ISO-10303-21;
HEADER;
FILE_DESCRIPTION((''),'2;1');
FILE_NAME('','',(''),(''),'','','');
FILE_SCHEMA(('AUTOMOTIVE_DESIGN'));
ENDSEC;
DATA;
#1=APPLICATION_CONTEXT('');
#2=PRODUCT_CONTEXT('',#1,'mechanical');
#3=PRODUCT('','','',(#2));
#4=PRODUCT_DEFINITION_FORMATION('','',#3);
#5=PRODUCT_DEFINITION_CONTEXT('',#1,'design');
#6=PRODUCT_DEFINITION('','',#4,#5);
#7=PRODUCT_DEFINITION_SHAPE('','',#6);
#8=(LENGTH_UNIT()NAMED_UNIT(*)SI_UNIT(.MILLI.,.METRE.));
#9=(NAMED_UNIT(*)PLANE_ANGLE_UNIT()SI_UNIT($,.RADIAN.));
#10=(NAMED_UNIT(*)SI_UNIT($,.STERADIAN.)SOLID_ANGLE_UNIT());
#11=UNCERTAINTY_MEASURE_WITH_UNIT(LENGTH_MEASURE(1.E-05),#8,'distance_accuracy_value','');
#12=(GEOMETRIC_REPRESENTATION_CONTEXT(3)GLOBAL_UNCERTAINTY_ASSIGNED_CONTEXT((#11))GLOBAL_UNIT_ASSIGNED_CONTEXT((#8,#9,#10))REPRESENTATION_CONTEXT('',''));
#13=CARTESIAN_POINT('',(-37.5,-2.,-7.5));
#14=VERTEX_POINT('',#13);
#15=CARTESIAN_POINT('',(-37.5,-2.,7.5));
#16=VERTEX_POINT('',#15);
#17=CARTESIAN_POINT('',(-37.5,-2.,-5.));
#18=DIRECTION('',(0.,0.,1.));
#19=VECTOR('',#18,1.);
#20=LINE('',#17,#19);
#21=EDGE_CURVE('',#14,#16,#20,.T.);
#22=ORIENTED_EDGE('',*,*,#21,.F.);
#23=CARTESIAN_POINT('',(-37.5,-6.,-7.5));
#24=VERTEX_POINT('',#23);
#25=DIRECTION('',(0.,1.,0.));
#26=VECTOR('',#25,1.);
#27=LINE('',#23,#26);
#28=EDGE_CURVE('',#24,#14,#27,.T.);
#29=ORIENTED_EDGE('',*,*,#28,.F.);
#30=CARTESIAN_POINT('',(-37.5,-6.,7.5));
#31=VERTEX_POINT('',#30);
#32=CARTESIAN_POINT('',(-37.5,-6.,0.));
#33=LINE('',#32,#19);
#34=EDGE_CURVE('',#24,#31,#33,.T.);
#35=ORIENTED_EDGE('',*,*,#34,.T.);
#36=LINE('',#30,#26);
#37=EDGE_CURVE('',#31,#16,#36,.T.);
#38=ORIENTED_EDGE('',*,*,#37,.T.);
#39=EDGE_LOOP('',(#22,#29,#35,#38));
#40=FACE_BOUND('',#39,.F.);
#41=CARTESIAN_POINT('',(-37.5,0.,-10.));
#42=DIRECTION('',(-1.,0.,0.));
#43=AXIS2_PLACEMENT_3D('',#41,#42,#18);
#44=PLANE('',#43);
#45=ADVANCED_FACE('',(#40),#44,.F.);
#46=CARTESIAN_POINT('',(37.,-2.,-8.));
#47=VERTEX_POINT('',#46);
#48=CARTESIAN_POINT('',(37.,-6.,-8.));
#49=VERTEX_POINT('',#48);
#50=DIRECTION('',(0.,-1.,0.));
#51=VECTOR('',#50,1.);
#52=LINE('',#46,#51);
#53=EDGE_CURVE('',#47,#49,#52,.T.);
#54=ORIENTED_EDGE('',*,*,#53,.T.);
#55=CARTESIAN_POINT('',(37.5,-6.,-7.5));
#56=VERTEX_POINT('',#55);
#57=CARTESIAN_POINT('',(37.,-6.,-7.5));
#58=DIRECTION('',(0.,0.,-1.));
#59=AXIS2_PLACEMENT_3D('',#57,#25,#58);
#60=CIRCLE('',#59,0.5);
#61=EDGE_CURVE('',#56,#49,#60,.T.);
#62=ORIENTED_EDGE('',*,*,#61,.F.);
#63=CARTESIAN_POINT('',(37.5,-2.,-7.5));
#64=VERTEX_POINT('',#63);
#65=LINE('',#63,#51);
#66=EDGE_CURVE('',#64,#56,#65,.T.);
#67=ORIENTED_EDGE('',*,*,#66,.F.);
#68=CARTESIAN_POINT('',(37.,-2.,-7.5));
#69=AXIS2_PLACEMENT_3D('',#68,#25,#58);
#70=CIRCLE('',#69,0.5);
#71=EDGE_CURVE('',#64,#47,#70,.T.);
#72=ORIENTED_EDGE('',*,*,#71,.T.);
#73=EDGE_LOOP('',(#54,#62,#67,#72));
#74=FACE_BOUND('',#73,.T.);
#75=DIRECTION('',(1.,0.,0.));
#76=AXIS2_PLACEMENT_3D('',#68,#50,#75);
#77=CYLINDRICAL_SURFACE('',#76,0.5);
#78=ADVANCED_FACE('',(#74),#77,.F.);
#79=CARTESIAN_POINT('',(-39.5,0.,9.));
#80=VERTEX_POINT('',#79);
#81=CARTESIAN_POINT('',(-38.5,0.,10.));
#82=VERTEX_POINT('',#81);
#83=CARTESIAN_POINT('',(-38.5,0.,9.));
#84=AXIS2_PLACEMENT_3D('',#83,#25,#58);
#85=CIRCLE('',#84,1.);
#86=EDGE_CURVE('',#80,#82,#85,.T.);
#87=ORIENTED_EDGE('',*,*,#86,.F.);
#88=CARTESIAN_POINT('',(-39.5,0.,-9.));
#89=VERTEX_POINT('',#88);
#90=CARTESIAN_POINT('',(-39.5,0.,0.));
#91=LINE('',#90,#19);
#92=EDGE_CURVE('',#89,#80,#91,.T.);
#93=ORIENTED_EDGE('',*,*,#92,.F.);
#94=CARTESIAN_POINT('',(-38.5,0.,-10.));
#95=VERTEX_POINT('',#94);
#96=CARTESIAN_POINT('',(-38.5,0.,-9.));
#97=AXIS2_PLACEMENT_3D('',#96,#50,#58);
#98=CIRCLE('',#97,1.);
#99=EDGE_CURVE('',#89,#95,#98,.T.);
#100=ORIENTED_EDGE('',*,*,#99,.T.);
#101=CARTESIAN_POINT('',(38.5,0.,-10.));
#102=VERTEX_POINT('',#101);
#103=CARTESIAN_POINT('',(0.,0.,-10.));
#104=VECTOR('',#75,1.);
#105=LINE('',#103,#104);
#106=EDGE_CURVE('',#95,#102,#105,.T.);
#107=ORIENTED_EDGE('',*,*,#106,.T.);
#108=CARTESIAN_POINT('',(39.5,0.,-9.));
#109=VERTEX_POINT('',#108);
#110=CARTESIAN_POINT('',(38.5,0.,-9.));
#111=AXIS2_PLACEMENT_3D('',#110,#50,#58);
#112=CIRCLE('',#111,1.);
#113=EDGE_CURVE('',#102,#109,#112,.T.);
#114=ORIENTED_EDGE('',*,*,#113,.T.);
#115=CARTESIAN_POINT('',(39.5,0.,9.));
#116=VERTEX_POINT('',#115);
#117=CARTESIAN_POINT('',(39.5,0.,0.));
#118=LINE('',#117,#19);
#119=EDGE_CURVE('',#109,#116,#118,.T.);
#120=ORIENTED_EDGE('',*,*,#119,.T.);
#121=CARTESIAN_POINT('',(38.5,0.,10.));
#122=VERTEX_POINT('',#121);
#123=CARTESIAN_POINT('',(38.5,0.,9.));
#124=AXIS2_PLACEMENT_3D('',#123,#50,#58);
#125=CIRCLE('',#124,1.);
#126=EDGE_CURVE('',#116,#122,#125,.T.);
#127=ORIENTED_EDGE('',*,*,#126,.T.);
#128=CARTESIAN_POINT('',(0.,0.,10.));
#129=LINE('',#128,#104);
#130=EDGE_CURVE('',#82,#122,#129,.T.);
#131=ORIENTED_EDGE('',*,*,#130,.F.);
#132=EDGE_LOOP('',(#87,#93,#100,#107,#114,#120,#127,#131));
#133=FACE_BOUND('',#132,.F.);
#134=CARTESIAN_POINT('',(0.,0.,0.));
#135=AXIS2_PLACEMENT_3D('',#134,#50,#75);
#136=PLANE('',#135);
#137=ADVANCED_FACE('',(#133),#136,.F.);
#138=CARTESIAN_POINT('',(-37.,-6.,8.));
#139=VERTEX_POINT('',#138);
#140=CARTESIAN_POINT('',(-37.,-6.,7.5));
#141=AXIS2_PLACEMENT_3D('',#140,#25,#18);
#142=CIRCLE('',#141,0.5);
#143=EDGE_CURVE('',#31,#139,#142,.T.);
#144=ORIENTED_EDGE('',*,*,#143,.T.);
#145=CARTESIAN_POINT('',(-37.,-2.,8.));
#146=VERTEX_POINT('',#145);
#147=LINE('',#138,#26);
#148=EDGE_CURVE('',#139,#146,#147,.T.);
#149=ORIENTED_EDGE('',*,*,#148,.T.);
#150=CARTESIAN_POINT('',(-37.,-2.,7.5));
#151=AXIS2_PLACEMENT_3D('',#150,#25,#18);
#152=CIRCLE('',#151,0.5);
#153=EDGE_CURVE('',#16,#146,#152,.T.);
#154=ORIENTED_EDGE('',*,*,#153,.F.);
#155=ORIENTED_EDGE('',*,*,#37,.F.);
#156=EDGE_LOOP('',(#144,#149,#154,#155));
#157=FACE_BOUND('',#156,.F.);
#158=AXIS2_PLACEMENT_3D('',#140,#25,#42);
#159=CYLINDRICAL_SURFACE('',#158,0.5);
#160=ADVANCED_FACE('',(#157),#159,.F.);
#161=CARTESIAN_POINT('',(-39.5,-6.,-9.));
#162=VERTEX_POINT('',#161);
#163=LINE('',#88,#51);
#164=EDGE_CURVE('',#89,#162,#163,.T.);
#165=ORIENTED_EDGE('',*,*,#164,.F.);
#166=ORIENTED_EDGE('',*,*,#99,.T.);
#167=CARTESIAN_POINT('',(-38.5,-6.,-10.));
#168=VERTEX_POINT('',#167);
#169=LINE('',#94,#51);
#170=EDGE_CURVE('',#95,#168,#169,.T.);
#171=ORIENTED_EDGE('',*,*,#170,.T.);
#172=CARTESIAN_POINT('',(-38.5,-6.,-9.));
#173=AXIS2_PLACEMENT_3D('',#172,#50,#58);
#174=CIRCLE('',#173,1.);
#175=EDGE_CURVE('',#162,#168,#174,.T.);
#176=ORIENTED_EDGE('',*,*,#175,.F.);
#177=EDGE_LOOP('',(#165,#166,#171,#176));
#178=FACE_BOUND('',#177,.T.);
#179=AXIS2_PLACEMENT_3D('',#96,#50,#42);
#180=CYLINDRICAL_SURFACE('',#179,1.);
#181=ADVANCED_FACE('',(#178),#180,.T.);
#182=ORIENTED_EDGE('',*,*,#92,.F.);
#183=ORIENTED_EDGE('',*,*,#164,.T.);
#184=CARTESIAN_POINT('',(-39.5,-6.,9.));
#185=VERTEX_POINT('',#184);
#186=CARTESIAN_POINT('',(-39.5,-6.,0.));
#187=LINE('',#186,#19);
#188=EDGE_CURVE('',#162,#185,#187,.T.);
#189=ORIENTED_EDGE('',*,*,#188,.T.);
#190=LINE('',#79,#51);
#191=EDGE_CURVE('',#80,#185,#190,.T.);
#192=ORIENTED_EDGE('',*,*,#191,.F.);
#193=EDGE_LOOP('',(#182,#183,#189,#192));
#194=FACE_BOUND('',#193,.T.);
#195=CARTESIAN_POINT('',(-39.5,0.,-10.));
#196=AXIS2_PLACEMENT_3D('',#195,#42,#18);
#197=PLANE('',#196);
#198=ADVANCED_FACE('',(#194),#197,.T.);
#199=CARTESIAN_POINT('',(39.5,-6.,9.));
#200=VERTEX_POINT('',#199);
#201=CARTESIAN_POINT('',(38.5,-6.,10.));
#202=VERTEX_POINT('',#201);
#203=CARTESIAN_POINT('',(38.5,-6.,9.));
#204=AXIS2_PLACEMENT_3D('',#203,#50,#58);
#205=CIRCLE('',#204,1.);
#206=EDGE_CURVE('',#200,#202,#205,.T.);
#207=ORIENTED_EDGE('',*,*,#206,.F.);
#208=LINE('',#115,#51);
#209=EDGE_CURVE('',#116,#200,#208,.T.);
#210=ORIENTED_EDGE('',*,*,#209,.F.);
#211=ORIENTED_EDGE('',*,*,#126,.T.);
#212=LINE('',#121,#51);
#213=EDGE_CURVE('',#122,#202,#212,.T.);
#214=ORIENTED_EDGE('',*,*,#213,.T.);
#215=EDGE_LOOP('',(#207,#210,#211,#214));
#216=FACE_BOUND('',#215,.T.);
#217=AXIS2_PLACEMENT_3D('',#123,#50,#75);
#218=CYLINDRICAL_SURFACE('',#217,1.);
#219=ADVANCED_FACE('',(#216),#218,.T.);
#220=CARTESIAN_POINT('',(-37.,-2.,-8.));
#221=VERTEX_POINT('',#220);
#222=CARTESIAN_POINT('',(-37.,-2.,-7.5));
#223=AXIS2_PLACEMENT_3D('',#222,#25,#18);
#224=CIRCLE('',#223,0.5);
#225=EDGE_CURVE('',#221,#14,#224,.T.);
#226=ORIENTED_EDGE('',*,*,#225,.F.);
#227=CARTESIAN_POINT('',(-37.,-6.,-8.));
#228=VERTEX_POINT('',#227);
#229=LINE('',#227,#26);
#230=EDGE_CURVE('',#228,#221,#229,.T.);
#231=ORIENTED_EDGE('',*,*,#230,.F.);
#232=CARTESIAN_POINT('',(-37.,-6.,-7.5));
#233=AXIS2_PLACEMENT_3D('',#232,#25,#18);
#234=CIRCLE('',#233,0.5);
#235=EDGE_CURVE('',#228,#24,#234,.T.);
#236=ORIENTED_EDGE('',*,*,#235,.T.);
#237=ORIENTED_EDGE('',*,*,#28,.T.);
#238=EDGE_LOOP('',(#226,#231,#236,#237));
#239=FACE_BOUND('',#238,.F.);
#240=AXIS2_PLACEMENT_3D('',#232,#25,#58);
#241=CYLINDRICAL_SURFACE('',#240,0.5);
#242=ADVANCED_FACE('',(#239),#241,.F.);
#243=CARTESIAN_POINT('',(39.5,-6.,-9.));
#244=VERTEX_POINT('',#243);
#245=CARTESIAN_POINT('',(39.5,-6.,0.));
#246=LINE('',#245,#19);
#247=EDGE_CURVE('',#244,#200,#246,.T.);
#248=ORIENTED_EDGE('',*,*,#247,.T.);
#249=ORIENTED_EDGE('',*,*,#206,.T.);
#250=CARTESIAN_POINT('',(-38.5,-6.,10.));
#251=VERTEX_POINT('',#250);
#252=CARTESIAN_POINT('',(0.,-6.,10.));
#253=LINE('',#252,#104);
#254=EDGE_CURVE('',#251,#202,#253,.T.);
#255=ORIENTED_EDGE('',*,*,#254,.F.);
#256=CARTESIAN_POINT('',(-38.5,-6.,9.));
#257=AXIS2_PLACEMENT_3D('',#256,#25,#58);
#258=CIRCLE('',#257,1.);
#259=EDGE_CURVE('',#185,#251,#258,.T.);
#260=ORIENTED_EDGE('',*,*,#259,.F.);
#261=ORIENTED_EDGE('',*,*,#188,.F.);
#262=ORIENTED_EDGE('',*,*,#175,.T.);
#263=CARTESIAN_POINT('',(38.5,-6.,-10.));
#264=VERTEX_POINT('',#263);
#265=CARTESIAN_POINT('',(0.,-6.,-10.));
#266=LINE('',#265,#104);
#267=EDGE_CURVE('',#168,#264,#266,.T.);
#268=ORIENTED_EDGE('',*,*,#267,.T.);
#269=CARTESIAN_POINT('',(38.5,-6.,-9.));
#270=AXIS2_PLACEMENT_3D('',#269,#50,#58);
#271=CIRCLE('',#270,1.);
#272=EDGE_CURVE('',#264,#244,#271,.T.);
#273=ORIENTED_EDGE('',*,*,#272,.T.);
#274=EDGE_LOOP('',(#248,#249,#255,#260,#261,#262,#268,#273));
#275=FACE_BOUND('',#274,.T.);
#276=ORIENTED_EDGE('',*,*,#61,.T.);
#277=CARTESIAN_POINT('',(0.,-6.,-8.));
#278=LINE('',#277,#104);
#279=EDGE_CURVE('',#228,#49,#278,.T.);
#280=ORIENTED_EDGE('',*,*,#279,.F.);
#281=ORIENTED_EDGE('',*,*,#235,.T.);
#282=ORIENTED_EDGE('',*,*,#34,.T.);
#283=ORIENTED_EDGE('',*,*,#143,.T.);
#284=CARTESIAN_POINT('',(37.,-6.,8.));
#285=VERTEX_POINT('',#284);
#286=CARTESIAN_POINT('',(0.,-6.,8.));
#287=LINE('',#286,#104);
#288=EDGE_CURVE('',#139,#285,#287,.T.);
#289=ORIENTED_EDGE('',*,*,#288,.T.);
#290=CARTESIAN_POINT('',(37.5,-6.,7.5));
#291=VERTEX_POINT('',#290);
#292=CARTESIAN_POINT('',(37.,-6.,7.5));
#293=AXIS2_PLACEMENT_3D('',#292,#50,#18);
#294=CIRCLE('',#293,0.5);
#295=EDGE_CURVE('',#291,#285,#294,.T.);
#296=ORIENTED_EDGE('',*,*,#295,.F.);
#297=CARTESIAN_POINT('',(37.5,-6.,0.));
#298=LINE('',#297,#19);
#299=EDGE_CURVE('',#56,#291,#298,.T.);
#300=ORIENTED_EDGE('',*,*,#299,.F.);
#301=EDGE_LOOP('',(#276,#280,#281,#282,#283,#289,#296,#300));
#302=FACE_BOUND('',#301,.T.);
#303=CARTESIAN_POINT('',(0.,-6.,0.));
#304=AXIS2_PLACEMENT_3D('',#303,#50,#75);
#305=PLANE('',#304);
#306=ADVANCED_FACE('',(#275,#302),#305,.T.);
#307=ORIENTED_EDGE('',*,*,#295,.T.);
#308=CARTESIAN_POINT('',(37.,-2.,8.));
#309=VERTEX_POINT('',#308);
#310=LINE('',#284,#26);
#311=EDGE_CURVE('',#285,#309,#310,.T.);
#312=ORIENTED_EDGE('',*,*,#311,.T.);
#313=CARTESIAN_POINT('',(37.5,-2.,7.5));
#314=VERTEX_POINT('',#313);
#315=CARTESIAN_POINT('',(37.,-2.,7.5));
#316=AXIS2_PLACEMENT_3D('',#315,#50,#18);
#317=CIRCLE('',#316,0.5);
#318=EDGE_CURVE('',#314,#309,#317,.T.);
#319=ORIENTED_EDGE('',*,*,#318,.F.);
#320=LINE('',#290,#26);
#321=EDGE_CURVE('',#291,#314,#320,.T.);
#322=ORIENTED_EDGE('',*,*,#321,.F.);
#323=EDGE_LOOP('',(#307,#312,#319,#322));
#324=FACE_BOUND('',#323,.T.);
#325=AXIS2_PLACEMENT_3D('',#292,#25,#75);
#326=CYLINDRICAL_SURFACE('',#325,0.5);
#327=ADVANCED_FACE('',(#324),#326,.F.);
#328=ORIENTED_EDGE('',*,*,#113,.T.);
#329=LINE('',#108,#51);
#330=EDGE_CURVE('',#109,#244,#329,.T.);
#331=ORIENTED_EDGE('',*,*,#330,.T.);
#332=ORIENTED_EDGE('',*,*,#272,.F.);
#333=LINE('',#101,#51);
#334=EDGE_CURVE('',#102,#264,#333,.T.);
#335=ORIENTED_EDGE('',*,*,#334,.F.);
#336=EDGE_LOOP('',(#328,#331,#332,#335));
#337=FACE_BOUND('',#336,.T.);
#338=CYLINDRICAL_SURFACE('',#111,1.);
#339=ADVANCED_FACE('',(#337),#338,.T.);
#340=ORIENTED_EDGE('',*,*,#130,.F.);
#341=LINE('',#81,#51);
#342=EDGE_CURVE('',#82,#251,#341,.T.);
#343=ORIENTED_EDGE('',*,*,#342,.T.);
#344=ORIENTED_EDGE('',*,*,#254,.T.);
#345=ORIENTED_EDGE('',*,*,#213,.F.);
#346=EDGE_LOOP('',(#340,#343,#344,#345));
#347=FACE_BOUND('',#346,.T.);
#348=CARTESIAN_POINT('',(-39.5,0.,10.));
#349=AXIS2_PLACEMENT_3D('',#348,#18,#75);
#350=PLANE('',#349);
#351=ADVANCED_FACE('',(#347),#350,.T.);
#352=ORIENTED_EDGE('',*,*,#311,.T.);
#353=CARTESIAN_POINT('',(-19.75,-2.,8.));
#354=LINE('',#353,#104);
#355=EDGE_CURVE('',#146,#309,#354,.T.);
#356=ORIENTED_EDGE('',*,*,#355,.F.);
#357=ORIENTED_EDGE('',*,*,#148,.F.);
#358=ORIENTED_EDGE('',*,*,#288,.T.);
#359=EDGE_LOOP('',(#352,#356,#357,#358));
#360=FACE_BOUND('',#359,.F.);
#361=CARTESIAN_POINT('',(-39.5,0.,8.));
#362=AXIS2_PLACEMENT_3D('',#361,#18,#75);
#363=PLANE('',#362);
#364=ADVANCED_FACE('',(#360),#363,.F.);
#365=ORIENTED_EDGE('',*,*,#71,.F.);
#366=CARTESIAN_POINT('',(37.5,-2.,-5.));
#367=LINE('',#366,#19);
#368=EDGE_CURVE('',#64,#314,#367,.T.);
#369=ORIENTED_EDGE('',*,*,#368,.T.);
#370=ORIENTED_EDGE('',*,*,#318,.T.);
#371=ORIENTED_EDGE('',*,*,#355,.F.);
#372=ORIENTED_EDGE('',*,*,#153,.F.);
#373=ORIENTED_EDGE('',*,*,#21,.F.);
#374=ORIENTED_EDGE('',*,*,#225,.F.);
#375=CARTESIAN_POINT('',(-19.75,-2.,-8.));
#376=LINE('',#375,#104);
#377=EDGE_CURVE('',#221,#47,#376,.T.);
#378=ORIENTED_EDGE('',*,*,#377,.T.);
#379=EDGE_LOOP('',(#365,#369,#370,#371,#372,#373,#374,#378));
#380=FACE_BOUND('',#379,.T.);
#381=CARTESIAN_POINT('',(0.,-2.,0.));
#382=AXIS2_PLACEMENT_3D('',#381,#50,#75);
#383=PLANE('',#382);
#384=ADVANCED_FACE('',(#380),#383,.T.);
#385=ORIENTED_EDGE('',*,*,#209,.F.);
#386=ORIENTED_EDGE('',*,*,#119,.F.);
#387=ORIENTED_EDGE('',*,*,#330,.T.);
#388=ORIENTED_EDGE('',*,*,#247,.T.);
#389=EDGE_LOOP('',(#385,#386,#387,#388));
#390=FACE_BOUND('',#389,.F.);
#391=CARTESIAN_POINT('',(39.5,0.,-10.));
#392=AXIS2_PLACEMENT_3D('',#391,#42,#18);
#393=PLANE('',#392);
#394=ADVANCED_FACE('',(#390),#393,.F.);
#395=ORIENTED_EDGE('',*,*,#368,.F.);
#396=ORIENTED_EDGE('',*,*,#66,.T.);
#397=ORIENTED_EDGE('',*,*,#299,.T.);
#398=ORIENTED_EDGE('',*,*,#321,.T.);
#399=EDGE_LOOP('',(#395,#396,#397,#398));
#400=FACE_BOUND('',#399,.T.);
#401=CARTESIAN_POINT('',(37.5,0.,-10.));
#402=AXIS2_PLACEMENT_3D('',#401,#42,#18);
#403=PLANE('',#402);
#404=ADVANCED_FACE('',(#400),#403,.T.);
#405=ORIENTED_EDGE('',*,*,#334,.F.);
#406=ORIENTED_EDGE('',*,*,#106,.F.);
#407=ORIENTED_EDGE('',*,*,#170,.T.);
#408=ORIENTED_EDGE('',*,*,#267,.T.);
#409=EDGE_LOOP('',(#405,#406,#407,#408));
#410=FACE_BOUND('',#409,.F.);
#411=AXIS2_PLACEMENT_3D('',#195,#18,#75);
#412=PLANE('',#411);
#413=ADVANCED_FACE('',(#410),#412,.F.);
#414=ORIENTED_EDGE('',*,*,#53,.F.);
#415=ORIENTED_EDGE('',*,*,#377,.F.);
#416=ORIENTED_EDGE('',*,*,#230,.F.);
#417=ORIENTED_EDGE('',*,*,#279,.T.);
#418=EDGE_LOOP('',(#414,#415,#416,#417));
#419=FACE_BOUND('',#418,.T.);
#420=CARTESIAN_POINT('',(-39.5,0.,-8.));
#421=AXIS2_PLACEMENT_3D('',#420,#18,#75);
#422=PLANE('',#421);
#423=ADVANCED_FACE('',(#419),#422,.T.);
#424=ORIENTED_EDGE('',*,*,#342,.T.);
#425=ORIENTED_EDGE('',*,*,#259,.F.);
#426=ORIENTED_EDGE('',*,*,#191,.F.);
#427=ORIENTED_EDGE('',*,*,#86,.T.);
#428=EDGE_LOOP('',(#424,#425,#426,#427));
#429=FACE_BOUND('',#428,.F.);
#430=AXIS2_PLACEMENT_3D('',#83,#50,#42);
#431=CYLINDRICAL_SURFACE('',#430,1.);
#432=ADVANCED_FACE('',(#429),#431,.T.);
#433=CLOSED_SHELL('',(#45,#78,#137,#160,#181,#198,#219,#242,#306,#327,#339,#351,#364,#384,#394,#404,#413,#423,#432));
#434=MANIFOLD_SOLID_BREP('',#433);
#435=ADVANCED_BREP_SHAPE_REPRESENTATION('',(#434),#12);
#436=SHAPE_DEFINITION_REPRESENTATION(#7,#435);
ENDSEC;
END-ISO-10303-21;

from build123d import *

# Parameters (mm, degrees)
F0_W     = 79
F0_H     = 20
F1_DEPTH = 6
F2_T     = -2
F3_R     = 1
F4_R     = 0.5


with BuildPart() as f1:
    # F0 (on Front) → F1 (new body)
    with BuildSketch(Plane.XZ):
        Rectangle(F0_W, F0_H)
    extrude(amount=F1_DEPTH)

    # F2
    f2_openings = [f1.faces().sort_by_distance(p)[0] for p in [
        (0, -6, 0),
    ]]
    offset(amount=F2_T, openings=f2_openings)

    # F3
    f3_edges = [f1.edges().sort_by_distance(p)[0] for p in [
        (39.5, -3, -10),
        (-39.5, -3, -10),
        (-39.5, -3, 10),
        (39.5, -3, 10),
    ]]
    fillet(f3_edges, radius=F3_R)

    # F4
    f4_edges = [f1.edges().sort_by_distance(p)[0] for p in [
        (-37.5, -4, -8),
        (37.5, -4, -8),
        (37.5, -4, 8),
        (-37.5, -4, 8),
    ]]
    fillet(f4_edges, radius=F4_R)


solid = f1.part
